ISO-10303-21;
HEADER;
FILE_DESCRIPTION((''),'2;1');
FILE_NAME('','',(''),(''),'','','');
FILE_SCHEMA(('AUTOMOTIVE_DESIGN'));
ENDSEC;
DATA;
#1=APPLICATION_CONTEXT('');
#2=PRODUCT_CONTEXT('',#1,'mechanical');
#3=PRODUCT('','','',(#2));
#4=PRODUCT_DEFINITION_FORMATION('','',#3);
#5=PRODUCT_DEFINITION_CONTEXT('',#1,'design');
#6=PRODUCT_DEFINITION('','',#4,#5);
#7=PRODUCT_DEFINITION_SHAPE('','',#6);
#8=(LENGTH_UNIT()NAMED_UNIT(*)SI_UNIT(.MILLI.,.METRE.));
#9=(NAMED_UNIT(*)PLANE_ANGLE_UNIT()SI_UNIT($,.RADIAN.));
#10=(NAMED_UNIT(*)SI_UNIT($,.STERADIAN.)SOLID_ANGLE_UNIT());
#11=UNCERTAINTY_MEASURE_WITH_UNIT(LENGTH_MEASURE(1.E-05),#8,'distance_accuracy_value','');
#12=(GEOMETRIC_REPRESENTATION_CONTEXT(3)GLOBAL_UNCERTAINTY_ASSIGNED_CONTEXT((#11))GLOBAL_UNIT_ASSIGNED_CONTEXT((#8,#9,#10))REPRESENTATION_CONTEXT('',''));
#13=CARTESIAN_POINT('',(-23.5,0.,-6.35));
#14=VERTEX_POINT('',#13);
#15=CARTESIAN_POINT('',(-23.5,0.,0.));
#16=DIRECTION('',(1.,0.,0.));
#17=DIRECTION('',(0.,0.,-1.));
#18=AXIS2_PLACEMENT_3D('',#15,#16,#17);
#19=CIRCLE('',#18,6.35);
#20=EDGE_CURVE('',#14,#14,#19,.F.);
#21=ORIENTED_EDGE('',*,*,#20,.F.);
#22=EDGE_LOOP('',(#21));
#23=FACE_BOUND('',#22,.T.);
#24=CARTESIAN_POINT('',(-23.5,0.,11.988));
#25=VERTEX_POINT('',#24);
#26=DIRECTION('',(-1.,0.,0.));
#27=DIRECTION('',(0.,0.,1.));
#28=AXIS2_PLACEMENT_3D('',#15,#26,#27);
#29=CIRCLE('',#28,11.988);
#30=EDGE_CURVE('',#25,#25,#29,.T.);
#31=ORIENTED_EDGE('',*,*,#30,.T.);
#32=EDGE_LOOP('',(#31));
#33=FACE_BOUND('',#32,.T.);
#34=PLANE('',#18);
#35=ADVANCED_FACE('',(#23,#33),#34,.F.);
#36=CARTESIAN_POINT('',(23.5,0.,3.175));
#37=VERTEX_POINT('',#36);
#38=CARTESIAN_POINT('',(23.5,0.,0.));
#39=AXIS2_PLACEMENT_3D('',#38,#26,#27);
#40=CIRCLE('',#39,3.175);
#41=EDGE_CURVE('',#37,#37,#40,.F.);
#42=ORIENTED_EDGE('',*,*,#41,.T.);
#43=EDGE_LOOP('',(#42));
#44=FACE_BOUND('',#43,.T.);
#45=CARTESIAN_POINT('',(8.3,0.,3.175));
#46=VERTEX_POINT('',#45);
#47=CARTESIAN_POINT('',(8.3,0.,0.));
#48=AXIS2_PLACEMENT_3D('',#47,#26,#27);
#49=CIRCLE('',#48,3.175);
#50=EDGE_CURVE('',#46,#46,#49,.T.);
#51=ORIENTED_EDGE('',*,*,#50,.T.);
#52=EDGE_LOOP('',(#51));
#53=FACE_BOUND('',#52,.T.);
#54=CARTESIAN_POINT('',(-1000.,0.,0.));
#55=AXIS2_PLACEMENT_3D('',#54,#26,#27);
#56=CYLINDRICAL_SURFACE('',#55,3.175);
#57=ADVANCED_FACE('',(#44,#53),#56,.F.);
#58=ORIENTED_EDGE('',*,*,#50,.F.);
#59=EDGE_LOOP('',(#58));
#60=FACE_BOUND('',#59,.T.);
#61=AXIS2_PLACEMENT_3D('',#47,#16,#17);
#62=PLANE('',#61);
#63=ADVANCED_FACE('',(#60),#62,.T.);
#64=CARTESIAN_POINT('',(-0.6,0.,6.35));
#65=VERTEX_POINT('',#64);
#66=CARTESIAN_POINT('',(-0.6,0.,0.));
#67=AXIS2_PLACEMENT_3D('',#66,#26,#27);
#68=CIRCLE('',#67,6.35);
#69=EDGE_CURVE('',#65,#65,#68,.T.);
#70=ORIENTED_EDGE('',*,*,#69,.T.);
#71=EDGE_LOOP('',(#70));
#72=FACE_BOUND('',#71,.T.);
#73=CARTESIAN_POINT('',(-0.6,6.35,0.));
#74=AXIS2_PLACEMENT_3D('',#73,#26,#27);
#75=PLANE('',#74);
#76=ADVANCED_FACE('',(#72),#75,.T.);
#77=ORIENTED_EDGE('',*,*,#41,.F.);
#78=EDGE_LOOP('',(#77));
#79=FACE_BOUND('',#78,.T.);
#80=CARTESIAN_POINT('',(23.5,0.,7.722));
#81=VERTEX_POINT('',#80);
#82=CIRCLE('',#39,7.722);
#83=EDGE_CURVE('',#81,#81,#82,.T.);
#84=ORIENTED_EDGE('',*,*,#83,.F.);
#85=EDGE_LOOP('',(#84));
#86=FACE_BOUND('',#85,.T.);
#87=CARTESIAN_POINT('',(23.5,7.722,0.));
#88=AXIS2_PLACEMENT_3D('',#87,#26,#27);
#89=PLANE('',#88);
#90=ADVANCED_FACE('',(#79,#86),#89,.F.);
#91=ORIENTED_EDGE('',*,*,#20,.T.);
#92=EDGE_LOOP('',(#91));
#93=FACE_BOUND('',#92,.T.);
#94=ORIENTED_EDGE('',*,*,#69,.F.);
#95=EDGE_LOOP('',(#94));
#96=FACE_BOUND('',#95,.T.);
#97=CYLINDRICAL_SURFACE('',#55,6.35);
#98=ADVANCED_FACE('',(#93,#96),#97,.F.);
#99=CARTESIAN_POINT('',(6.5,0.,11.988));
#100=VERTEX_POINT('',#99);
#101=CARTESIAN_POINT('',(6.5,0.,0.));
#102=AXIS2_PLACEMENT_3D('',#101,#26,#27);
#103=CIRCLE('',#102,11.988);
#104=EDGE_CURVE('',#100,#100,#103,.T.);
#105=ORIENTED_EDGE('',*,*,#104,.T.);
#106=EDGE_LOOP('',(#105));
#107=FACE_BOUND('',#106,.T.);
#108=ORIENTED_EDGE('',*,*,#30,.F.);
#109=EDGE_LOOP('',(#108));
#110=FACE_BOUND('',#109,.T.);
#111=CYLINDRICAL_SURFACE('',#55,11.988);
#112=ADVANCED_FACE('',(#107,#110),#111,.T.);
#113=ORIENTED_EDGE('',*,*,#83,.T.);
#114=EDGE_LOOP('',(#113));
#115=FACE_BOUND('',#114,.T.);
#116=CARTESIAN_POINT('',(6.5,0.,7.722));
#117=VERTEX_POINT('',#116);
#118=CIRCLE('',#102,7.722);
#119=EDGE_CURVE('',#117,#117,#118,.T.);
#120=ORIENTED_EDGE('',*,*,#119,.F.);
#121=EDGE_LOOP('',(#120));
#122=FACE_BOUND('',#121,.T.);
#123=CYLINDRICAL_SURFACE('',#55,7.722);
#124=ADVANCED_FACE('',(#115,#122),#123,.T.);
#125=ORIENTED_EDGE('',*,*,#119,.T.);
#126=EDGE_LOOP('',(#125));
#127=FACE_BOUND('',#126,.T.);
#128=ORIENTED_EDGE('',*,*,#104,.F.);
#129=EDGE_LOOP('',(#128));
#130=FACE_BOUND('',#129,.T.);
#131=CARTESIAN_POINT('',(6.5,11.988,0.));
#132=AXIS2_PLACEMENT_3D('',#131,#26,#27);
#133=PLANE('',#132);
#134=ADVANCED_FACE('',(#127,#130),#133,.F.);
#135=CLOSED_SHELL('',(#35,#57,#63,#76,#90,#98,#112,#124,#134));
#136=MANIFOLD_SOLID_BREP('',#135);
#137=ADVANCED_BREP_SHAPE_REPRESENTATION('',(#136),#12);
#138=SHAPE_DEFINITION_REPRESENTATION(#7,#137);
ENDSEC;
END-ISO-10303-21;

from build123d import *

# Parameters (mm, degrees)
SOCKET_1_SKETCH_W = 23.9
SOCKET_1_SKETCH_H = 6.35
SOCKET_2_SKETCH_W = 16.2
SOCKET_2_SKETCH_H = 3.175


with BuildPart() as part:
    # Reducer_T8_T4 Sketch → Reducer_T8_T4 (revolve)
    with BuildSketch(Plane.XY):
        Polygon((-23.5, 0), (-23.5, 11.988), (0.5, 11.988), (6.5, 11.988), (6.5, 7.722), (23.5, 7.722), (23.5, 0), align=None)
    revolve(axis=Axis((-1000, 0, 0), (1, 0, 0)))

    # Socket 1 Sketch → Socket 1 (revolve, cut)
    with BuildSketch(Plane.XY):
        with Locations((-12.55, 3.175)):
            Rectangle(SOCKET_1_SKETCH_W, SOCKET_1_SKETCH_H)
    revolve(axis=Axis((-1000, 0, 0), (1, 0, 0)), mode=Mode.SUBTRACT)

    # Socket 2 Sketch → Socket 2 (revolve, cut)
    with BuildSketch(Plane.XY):
        with Locations((16.4, 1.5875)):
            Rectangle(SOCKET_2_SKETCH_W, SOCKET_2_SKETCH_H)
    revolve(axis=Axis((-1000, 0, 0), (1, 0, 0)), mode=Mode.SUBTRACT)


solid = part.part
